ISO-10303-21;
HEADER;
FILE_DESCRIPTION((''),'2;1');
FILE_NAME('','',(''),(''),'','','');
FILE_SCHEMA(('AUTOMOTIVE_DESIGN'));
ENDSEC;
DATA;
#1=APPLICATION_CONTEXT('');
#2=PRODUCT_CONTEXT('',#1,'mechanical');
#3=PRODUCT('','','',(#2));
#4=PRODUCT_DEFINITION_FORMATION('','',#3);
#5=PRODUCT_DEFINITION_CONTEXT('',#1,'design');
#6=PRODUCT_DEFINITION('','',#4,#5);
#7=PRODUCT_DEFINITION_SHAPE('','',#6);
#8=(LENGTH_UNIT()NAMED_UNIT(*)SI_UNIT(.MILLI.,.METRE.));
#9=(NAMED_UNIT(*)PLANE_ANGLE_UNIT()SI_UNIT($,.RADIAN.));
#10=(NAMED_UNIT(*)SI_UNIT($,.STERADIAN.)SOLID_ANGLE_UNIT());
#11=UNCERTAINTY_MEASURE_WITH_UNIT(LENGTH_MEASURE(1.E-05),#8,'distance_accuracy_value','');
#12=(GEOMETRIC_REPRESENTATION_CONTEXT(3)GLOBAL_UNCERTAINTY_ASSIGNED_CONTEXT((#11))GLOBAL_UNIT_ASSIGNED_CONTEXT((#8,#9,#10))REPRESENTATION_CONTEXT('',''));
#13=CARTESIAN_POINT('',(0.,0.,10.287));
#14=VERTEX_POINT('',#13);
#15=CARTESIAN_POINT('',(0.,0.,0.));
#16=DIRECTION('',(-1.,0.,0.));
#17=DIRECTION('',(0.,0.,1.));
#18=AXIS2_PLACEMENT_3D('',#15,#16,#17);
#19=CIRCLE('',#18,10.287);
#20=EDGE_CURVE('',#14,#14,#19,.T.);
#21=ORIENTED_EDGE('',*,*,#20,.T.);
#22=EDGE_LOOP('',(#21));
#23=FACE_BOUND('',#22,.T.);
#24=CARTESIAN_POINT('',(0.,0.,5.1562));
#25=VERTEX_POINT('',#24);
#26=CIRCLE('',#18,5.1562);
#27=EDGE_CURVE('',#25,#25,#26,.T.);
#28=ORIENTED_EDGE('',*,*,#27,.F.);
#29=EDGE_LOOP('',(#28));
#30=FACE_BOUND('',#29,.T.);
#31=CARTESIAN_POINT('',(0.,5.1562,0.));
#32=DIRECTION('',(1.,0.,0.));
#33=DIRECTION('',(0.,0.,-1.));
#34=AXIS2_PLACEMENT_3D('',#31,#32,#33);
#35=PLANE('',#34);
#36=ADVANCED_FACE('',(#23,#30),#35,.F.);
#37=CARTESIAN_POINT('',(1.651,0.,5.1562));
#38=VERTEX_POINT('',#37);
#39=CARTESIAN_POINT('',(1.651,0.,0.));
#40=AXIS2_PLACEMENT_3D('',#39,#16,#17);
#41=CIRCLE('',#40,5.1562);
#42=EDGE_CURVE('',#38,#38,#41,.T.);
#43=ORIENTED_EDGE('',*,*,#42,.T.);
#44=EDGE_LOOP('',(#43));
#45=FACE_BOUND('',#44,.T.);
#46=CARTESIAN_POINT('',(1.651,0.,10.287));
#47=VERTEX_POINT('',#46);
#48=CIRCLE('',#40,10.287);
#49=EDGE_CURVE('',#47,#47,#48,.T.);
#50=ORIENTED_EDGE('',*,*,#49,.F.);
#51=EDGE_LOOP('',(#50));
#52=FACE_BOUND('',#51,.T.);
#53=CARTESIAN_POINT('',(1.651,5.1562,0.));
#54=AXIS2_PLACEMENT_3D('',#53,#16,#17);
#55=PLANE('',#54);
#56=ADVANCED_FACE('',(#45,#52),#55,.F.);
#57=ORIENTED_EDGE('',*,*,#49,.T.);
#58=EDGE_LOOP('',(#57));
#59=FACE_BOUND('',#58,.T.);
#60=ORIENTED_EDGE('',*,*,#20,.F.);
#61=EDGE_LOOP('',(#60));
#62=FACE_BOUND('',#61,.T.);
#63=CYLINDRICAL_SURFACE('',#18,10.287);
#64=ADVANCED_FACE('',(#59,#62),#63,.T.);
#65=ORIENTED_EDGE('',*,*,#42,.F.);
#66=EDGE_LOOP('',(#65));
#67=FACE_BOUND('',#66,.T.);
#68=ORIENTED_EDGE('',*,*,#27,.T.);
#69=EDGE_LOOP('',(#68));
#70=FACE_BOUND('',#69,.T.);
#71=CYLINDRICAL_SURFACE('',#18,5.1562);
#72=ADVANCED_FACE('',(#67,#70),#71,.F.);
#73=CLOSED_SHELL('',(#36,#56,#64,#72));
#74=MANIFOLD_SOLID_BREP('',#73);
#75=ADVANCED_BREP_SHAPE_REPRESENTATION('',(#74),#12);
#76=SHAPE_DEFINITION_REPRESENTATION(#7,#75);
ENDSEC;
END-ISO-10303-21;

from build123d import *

# Parameters (mm, degrees)
SKETCH2_W = 1.651
SKETCH2_H = 5.1308


with BuildPart() as part:
    # Sketch2 → Revolve1 (revolve)
    with BuildSketch(Plane.XY, mode=Mode.PRIVATE) as revolve1_sk:
        with Locations((0.8255, 7.7216)):
            Rectangle(SKETCH2_W, SKETCH2_H)
    revolve(revolve1_sk.sketch.rotate(Axis((0, 0, 0), (1, 0, 0)), 90), axis=Axis((0, 0, 0), (1, 0, 0)))


solid = part.part
